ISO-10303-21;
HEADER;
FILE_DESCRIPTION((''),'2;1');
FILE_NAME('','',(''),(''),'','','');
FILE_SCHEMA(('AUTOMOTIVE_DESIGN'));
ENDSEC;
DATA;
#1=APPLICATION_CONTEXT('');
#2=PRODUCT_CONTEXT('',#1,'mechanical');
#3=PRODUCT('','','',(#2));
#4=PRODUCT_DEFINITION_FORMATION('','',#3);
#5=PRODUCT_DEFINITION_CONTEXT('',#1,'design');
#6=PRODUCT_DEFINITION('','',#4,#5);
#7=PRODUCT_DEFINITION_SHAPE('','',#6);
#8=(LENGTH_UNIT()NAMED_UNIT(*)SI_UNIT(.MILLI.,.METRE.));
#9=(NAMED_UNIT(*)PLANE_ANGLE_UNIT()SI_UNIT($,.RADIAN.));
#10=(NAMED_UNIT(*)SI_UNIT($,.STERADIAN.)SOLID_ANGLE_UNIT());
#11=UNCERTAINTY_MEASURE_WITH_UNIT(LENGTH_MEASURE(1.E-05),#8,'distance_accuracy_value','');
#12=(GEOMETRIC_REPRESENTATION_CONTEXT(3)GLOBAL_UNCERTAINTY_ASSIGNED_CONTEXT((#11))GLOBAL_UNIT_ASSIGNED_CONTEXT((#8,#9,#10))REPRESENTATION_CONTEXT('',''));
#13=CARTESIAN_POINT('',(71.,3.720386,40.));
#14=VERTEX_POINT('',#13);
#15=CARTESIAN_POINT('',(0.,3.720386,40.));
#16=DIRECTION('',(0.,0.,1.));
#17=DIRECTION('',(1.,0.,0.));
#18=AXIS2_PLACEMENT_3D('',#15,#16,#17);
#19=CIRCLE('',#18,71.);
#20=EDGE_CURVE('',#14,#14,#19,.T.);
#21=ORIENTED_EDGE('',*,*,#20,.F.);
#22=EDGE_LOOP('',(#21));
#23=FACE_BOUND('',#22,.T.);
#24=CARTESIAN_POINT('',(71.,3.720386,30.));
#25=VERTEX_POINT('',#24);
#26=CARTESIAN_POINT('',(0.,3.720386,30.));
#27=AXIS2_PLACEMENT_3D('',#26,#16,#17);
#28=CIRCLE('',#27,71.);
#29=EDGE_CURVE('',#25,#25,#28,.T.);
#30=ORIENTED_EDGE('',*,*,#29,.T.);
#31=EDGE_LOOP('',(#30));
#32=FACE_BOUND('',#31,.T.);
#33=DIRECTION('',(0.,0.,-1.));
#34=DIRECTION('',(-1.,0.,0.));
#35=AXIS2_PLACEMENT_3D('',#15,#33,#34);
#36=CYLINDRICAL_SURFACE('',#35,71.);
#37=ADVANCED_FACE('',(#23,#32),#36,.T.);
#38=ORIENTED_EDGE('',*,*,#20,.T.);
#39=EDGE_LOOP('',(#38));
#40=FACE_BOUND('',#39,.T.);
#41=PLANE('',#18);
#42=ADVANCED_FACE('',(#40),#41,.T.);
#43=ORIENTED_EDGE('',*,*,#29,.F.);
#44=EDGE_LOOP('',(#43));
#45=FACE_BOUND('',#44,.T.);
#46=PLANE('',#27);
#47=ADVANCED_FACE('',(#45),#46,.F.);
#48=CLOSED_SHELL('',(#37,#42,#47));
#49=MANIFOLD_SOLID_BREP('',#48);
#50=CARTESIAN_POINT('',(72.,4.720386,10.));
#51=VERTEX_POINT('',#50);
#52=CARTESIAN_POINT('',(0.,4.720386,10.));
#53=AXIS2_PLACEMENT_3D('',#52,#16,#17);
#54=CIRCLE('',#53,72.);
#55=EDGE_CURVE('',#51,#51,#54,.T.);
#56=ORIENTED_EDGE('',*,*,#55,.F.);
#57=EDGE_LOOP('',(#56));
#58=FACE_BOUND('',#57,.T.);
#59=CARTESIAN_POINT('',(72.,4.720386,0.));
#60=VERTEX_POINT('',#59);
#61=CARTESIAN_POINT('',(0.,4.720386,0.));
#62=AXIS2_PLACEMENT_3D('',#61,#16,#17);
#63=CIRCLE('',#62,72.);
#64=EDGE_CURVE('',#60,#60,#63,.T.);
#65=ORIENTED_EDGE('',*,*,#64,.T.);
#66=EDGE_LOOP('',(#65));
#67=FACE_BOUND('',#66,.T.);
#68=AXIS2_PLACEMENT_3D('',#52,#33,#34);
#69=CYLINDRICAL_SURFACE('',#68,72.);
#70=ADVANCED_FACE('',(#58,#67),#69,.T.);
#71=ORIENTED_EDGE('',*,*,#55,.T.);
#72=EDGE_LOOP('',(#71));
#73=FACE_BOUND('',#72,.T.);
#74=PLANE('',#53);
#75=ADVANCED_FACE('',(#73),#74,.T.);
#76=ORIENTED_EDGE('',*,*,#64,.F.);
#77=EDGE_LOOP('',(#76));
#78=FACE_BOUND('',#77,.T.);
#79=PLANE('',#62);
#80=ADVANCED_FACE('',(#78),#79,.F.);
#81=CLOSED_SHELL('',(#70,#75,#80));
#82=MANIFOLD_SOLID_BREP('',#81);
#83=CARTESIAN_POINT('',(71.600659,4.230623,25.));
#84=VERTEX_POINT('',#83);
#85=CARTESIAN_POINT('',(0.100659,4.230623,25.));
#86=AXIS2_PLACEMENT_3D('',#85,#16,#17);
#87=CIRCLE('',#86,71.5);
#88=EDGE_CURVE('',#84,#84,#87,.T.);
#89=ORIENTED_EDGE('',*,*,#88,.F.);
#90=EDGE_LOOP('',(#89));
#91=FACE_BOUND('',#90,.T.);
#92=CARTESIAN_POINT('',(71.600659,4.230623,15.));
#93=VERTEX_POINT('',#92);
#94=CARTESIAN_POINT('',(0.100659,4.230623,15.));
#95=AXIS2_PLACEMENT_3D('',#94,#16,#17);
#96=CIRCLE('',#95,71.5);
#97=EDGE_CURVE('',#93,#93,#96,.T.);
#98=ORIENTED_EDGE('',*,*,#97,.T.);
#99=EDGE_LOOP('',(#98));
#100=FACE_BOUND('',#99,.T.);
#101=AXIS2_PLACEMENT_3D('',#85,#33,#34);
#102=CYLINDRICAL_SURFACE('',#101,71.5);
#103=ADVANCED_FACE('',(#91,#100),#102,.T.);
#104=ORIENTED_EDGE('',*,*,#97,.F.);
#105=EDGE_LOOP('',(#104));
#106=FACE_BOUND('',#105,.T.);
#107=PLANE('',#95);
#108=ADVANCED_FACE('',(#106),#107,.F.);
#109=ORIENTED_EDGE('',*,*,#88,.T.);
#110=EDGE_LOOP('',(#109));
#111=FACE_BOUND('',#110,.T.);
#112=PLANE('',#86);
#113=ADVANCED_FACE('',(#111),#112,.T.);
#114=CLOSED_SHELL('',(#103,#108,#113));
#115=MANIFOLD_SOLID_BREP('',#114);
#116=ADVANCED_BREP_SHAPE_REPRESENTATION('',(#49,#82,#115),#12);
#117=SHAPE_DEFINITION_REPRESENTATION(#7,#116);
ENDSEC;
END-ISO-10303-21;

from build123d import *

# Parameters (mm, degrees)
SKETCH_4_R      = 72
EXTRUDE_4_DEPTH = 10
EXTRUDE_START   = 15
SKETCH_4_4_R    = 71.5
EXTRUDE_6_DEPTH = 10
EXTRUDE_START_2 = 30
SKETCH_4_5_R    = 71
EXTRUDE_7_DEPTH = 10


with BuildPart() as part:
    # 草圖4 → 填料-伸長4 (new body)
    with BuildSketch(Plane.XY):
        with Locations((0, 4.720385608)):
            Circle(SKETCH_4_R)
    extrude(amount=EXTRUDE_4_DEPTH)


with BuildPart() as body_2:
    # 草圖4<4> → 填料-伸長6 (new body)
    with BuildSketch(Plane.XY.offset(EXTRUDE_START)):
        with Locations((0.100658917, 4.230622622)):
            Circle(SKETCH_4_4_R)
    extrude(amount=EXTRUDE_6_DEPTH)


with BuildPart() as body_3:
    # 草圖4<5> → 填料-伸長7 (new body)
    with BuildSketch(Plane.XY.offset(EXTRUDE_START_2)):
        with Locations((0, 3.720385608)):
            Circle(SKETCH_4_5_R)
    extrude(amount=EXTRUDE_7_DEPTH)


solid = Compound([part.part, body_2.part, body_3.part])
